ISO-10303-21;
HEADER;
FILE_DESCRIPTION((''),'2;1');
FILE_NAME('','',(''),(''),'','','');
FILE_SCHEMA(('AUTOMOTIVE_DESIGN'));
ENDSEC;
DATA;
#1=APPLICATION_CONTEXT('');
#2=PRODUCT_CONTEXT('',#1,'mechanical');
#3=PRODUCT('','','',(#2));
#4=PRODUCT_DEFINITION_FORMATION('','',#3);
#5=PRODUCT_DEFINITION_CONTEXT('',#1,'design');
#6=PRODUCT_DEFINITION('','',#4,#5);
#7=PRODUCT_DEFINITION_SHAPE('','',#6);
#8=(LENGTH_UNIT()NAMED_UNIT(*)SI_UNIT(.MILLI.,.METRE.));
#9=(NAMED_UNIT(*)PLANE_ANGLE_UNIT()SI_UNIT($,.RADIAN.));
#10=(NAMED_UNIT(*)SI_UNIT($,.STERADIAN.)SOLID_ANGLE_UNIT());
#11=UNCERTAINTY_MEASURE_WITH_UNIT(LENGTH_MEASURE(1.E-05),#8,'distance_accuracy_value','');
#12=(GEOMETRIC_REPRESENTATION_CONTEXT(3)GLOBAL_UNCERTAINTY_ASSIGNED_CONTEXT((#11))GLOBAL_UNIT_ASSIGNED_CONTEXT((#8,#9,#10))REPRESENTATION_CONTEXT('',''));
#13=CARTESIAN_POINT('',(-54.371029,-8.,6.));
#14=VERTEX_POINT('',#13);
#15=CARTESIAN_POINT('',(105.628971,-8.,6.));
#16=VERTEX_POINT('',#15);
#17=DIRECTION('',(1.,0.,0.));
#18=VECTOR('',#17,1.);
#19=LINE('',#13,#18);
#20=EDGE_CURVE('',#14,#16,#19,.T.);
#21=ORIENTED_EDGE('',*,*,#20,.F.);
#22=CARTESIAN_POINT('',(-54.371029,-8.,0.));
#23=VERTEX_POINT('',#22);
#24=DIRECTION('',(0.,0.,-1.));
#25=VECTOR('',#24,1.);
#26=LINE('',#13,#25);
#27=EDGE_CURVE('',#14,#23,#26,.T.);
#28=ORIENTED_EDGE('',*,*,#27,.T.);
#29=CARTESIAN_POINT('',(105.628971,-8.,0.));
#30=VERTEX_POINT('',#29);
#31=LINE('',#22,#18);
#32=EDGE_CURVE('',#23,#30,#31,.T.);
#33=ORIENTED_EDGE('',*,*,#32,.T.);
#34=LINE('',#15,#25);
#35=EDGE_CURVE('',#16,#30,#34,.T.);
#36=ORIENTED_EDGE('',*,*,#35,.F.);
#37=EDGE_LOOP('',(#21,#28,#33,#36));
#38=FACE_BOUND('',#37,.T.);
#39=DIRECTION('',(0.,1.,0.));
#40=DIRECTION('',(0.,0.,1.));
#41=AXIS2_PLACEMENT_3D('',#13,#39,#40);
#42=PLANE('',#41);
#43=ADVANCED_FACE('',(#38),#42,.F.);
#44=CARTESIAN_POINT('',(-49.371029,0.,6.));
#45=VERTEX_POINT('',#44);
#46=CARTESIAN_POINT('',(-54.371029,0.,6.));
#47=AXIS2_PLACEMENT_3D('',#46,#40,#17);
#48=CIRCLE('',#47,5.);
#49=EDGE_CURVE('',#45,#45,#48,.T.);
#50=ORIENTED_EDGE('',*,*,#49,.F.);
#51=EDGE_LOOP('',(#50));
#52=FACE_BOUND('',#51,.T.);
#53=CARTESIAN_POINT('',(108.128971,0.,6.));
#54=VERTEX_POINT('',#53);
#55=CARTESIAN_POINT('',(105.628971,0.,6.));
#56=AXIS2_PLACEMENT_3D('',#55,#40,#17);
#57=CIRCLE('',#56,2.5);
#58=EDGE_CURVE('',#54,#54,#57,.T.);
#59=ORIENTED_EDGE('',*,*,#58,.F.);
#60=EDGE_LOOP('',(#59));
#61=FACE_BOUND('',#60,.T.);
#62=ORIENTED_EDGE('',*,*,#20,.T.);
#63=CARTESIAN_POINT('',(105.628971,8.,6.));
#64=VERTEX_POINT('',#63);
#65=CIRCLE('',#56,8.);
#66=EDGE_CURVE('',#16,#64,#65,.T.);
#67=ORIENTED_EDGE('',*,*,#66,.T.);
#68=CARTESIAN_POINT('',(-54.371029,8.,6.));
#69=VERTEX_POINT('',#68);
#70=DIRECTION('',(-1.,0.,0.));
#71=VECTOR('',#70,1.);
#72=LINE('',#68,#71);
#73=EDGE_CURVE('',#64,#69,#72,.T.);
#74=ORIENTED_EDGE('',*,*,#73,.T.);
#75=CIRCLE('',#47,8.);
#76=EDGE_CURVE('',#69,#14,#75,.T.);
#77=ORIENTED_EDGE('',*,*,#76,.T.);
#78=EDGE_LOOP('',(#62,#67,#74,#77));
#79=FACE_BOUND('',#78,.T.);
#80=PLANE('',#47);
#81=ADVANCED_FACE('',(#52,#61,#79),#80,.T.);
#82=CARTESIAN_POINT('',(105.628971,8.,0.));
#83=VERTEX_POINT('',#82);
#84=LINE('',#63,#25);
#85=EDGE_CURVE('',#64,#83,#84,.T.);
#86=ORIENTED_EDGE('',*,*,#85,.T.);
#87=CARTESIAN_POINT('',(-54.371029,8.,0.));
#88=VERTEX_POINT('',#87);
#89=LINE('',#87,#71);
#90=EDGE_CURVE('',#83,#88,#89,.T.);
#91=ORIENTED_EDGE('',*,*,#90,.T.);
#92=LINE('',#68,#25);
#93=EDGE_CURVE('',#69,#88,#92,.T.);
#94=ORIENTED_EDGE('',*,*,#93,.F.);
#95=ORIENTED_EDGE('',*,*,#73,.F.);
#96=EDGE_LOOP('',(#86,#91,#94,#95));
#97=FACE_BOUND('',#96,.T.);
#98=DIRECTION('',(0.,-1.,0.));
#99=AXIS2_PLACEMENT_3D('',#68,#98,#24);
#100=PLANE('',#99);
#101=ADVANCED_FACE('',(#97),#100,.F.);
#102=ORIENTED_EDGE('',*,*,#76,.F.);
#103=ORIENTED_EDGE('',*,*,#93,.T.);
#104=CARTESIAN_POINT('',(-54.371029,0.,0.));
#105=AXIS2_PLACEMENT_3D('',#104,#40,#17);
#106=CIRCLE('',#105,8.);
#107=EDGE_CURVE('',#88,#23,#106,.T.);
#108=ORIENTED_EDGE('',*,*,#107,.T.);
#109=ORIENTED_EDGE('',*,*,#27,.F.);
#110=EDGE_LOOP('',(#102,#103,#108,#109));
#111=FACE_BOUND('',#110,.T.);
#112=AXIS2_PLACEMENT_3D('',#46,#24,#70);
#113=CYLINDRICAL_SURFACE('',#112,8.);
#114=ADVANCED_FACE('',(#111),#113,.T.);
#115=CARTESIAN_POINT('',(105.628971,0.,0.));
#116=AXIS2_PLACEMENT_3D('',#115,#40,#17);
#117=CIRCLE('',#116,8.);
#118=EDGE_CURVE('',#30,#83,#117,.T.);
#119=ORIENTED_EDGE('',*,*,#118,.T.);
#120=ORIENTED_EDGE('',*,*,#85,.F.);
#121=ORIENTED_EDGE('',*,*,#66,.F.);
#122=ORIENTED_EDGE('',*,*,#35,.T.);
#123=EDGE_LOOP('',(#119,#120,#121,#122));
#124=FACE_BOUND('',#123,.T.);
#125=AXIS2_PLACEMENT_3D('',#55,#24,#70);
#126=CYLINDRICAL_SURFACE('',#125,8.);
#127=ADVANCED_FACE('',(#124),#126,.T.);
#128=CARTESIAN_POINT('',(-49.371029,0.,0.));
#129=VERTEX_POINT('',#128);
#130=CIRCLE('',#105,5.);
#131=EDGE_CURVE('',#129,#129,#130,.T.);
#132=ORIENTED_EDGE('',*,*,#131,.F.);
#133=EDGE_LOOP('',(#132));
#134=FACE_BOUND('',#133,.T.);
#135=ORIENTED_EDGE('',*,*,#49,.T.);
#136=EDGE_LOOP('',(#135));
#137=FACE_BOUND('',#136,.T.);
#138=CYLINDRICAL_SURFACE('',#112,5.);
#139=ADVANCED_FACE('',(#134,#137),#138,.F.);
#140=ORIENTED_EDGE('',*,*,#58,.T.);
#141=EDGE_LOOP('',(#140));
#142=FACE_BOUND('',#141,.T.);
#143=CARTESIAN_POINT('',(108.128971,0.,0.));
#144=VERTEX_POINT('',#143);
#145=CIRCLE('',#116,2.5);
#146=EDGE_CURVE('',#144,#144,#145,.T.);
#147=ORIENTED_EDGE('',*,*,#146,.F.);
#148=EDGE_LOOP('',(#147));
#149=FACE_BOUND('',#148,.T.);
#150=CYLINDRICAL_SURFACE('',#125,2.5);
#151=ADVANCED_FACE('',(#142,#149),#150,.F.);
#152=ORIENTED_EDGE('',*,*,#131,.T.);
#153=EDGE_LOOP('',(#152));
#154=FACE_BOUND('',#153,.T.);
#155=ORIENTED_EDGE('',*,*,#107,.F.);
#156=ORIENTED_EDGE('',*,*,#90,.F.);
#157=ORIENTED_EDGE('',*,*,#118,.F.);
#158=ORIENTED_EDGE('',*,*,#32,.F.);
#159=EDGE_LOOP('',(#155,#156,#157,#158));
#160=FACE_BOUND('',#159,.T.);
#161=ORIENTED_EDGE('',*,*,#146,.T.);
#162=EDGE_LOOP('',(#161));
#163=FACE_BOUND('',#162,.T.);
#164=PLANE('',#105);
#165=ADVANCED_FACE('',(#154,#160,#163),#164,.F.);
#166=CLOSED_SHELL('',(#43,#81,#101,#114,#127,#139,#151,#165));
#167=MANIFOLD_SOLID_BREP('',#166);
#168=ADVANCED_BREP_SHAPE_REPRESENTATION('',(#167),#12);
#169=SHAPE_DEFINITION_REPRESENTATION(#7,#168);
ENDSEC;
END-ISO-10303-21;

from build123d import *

# Parameters (mm, degrees)
CROQUIS1_R              = 5
CROQUIS1_R_2            = 2.5
SALIENTE_EXTRUIR1_DEPTH = 6


with BuildPart() as part:
    # Croquis1 → Saliente-Extruir1 (new body)
    with BuildSketch(Plane.XY):
        with BuildLine():
            Line((-54.371028707, 8), (105.628971293, 8))
            ThreePointArc((105.628971293, 8), (113.628971293, 0), (105.628971293, -8))
            Line((105.628971293, -8), (-54.371028707, -8))
            ThreePointArc((-54.371028707, -8), (-62.371028707, 0), (-54.371028707, 8))
        make_face()
        with Locations((-54.371028707, 0)):
            Circle(CROQUIS1_R, mode=Mode.SUBTRACT)
        with Locations((105.628971293, 0)):
            Circle(CROQUIS1_R_2, mode=Mode.SUBTRACT)
    extrude(amount=SALIENTE_EXTRUIR1_DEPTH)


solid = part.part
